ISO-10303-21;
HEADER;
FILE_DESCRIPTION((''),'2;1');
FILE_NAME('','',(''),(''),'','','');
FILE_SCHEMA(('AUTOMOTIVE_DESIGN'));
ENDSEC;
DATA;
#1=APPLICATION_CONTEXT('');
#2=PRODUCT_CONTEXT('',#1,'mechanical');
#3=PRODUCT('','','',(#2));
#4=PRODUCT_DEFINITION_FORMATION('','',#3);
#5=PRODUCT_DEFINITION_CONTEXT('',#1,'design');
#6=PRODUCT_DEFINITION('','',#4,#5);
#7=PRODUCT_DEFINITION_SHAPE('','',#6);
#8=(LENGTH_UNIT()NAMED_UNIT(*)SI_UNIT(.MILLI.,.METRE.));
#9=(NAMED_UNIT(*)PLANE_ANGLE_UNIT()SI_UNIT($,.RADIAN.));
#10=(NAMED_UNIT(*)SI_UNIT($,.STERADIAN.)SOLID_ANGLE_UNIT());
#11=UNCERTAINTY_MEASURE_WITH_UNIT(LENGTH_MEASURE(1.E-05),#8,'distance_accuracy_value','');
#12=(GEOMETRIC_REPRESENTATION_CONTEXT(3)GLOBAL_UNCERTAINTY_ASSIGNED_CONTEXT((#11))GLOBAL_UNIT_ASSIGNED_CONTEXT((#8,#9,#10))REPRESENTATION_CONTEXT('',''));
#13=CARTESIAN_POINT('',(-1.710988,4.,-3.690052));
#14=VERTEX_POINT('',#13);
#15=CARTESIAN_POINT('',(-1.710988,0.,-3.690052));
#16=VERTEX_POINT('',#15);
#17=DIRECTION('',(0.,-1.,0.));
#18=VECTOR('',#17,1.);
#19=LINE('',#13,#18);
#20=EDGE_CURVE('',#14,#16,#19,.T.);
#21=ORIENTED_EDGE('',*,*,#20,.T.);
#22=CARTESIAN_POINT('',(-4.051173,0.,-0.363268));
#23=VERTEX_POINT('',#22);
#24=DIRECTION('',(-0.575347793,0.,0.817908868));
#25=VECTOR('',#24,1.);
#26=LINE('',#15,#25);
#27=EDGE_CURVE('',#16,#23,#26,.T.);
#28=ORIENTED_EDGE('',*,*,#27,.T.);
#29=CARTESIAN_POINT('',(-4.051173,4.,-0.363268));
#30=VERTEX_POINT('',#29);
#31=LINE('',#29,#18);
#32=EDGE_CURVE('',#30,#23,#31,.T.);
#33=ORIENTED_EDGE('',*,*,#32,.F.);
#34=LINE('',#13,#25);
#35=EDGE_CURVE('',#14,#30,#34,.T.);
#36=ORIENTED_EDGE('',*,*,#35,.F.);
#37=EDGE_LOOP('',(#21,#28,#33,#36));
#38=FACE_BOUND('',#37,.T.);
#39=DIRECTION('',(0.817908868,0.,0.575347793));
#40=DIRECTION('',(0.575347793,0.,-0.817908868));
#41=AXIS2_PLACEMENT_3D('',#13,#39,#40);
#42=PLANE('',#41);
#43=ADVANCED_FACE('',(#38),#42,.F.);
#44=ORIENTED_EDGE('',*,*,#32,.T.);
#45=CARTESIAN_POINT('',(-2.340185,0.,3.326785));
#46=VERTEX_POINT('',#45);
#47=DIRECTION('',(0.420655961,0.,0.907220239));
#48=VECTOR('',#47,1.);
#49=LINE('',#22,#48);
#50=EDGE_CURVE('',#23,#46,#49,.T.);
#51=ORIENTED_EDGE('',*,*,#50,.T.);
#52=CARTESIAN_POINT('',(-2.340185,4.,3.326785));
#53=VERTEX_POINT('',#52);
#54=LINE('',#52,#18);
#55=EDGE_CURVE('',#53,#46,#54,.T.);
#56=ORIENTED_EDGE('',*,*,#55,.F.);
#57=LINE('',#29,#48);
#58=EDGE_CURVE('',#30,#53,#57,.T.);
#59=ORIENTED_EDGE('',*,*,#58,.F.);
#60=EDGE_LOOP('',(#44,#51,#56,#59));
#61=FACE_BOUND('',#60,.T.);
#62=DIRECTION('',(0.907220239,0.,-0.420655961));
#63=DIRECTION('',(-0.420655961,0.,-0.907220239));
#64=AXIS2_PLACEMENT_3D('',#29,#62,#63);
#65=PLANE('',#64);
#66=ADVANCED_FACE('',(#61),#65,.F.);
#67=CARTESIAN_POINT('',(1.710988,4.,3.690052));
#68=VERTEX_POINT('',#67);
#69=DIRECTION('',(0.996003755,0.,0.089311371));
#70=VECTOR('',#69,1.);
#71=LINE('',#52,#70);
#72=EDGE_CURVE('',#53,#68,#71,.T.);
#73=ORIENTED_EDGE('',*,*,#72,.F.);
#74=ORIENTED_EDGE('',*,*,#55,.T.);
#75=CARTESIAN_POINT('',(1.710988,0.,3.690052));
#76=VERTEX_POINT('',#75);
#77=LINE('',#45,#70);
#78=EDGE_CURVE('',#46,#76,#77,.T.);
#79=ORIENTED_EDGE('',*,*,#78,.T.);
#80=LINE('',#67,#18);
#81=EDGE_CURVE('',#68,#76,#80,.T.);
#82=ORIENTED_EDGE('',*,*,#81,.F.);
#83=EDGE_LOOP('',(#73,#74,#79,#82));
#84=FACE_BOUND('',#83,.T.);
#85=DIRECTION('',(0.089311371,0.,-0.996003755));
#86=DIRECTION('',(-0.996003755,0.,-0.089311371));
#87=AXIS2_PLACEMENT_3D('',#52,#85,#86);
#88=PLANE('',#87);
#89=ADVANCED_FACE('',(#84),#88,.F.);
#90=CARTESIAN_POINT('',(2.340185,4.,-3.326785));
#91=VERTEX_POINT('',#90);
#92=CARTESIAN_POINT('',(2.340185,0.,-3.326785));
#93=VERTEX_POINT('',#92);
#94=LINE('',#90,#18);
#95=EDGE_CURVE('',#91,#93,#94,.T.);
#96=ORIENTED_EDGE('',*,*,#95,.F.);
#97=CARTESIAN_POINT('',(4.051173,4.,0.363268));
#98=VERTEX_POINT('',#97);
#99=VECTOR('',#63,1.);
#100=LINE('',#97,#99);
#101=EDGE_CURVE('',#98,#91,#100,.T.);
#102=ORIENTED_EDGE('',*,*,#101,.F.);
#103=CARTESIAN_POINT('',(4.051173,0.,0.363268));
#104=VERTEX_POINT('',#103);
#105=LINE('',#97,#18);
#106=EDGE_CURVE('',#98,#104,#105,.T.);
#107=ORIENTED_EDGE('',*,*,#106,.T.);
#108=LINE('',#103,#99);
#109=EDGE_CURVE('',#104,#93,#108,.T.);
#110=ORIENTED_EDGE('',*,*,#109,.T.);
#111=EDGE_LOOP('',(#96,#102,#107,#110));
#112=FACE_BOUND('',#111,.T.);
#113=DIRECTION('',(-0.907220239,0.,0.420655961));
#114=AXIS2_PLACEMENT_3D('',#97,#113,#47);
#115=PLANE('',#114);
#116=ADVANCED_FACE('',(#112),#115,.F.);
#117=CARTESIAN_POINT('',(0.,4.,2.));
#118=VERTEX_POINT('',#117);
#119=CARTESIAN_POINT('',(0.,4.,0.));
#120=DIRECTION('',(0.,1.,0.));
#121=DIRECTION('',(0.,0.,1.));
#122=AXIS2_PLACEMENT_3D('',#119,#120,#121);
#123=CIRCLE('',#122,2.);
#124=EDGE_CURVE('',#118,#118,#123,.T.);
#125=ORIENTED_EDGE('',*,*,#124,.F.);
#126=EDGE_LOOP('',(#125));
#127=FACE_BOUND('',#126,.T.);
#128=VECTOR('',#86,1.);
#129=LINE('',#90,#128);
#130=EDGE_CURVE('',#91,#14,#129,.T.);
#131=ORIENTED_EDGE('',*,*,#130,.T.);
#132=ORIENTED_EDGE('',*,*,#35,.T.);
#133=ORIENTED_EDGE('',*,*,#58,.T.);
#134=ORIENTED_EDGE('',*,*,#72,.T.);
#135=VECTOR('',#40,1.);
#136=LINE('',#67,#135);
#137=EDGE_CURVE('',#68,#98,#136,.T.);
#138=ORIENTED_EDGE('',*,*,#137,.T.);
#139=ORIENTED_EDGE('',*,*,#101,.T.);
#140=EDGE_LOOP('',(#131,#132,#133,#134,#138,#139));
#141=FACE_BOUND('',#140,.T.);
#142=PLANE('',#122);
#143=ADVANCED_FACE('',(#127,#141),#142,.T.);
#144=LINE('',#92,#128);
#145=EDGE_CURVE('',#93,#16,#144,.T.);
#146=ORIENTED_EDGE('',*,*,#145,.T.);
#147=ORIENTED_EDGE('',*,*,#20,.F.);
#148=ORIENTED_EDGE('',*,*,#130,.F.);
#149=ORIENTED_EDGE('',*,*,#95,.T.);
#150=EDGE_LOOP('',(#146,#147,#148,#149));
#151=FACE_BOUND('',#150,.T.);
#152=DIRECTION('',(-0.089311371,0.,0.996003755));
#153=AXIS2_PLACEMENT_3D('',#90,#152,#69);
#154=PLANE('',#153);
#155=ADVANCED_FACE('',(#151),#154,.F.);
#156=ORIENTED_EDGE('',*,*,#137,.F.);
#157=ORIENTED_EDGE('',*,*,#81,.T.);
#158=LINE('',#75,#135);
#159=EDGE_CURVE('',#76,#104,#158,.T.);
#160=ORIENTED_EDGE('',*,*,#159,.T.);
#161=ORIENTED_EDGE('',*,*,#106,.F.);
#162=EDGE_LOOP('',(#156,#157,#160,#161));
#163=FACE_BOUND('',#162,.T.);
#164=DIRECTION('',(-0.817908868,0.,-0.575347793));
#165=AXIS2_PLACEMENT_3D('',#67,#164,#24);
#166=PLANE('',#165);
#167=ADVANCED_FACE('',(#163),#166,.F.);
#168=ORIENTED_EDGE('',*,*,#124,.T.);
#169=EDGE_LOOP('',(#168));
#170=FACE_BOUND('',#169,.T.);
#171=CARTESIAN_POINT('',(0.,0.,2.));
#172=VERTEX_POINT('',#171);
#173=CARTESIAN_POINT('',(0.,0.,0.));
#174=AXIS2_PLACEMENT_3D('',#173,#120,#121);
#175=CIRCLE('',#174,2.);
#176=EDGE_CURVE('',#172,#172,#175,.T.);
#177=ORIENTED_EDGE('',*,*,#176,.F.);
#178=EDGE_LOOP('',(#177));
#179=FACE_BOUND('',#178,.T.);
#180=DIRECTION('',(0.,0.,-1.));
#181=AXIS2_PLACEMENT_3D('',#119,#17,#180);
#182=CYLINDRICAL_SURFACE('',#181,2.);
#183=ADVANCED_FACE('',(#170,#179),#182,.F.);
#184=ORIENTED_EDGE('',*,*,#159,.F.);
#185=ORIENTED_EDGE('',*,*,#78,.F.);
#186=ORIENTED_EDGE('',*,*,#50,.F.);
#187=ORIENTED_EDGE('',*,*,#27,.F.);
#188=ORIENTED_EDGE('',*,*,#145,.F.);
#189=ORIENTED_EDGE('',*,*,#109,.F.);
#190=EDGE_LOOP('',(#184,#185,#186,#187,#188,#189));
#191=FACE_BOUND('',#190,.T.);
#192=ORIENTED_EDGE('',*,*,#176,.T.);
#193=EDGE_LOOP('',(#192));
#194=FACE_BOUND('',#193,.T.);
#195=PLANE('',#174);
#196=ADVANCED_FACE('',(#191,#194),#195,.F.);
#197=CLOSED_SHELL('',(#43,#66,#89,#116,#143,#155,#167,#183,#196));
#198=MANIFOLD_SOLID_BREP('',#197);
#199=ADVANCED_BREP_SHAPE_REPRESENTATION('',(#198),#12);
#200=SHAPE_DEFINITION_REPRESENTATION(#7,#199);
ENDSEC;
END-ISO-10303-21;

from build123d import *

# Parameters (mm, degrees)
SKETCH1_R           = 2
BOSS_EXTRUDE1_DEPTH = 4


with BuildPart() as part:
    # Sketch1 → Boss-Extrude1 (new body)
    with BuildSketch(Plane(origin=(0, 0, 0), x_dir=(1, 0, 0), z_dir=(0, 1, 0))):
        Polygon((1.710987568, -3.690052427), (4.051172927, -0.363267514), (2.340185359, 3.326784913), (-1.710987568, 3.690052427), (-4.051172927, 0.363267514), (-2.340185359, -3.326784913), align=None)
        with Locations(Location((0, 0, 0), (0, 0, 270))):
            Circle(SKETCH1_R, mode=Mode.SUBTRACT)
    extrude(amount=BOSS_EXTRUDE1_DEPTH)


solid = part.part
